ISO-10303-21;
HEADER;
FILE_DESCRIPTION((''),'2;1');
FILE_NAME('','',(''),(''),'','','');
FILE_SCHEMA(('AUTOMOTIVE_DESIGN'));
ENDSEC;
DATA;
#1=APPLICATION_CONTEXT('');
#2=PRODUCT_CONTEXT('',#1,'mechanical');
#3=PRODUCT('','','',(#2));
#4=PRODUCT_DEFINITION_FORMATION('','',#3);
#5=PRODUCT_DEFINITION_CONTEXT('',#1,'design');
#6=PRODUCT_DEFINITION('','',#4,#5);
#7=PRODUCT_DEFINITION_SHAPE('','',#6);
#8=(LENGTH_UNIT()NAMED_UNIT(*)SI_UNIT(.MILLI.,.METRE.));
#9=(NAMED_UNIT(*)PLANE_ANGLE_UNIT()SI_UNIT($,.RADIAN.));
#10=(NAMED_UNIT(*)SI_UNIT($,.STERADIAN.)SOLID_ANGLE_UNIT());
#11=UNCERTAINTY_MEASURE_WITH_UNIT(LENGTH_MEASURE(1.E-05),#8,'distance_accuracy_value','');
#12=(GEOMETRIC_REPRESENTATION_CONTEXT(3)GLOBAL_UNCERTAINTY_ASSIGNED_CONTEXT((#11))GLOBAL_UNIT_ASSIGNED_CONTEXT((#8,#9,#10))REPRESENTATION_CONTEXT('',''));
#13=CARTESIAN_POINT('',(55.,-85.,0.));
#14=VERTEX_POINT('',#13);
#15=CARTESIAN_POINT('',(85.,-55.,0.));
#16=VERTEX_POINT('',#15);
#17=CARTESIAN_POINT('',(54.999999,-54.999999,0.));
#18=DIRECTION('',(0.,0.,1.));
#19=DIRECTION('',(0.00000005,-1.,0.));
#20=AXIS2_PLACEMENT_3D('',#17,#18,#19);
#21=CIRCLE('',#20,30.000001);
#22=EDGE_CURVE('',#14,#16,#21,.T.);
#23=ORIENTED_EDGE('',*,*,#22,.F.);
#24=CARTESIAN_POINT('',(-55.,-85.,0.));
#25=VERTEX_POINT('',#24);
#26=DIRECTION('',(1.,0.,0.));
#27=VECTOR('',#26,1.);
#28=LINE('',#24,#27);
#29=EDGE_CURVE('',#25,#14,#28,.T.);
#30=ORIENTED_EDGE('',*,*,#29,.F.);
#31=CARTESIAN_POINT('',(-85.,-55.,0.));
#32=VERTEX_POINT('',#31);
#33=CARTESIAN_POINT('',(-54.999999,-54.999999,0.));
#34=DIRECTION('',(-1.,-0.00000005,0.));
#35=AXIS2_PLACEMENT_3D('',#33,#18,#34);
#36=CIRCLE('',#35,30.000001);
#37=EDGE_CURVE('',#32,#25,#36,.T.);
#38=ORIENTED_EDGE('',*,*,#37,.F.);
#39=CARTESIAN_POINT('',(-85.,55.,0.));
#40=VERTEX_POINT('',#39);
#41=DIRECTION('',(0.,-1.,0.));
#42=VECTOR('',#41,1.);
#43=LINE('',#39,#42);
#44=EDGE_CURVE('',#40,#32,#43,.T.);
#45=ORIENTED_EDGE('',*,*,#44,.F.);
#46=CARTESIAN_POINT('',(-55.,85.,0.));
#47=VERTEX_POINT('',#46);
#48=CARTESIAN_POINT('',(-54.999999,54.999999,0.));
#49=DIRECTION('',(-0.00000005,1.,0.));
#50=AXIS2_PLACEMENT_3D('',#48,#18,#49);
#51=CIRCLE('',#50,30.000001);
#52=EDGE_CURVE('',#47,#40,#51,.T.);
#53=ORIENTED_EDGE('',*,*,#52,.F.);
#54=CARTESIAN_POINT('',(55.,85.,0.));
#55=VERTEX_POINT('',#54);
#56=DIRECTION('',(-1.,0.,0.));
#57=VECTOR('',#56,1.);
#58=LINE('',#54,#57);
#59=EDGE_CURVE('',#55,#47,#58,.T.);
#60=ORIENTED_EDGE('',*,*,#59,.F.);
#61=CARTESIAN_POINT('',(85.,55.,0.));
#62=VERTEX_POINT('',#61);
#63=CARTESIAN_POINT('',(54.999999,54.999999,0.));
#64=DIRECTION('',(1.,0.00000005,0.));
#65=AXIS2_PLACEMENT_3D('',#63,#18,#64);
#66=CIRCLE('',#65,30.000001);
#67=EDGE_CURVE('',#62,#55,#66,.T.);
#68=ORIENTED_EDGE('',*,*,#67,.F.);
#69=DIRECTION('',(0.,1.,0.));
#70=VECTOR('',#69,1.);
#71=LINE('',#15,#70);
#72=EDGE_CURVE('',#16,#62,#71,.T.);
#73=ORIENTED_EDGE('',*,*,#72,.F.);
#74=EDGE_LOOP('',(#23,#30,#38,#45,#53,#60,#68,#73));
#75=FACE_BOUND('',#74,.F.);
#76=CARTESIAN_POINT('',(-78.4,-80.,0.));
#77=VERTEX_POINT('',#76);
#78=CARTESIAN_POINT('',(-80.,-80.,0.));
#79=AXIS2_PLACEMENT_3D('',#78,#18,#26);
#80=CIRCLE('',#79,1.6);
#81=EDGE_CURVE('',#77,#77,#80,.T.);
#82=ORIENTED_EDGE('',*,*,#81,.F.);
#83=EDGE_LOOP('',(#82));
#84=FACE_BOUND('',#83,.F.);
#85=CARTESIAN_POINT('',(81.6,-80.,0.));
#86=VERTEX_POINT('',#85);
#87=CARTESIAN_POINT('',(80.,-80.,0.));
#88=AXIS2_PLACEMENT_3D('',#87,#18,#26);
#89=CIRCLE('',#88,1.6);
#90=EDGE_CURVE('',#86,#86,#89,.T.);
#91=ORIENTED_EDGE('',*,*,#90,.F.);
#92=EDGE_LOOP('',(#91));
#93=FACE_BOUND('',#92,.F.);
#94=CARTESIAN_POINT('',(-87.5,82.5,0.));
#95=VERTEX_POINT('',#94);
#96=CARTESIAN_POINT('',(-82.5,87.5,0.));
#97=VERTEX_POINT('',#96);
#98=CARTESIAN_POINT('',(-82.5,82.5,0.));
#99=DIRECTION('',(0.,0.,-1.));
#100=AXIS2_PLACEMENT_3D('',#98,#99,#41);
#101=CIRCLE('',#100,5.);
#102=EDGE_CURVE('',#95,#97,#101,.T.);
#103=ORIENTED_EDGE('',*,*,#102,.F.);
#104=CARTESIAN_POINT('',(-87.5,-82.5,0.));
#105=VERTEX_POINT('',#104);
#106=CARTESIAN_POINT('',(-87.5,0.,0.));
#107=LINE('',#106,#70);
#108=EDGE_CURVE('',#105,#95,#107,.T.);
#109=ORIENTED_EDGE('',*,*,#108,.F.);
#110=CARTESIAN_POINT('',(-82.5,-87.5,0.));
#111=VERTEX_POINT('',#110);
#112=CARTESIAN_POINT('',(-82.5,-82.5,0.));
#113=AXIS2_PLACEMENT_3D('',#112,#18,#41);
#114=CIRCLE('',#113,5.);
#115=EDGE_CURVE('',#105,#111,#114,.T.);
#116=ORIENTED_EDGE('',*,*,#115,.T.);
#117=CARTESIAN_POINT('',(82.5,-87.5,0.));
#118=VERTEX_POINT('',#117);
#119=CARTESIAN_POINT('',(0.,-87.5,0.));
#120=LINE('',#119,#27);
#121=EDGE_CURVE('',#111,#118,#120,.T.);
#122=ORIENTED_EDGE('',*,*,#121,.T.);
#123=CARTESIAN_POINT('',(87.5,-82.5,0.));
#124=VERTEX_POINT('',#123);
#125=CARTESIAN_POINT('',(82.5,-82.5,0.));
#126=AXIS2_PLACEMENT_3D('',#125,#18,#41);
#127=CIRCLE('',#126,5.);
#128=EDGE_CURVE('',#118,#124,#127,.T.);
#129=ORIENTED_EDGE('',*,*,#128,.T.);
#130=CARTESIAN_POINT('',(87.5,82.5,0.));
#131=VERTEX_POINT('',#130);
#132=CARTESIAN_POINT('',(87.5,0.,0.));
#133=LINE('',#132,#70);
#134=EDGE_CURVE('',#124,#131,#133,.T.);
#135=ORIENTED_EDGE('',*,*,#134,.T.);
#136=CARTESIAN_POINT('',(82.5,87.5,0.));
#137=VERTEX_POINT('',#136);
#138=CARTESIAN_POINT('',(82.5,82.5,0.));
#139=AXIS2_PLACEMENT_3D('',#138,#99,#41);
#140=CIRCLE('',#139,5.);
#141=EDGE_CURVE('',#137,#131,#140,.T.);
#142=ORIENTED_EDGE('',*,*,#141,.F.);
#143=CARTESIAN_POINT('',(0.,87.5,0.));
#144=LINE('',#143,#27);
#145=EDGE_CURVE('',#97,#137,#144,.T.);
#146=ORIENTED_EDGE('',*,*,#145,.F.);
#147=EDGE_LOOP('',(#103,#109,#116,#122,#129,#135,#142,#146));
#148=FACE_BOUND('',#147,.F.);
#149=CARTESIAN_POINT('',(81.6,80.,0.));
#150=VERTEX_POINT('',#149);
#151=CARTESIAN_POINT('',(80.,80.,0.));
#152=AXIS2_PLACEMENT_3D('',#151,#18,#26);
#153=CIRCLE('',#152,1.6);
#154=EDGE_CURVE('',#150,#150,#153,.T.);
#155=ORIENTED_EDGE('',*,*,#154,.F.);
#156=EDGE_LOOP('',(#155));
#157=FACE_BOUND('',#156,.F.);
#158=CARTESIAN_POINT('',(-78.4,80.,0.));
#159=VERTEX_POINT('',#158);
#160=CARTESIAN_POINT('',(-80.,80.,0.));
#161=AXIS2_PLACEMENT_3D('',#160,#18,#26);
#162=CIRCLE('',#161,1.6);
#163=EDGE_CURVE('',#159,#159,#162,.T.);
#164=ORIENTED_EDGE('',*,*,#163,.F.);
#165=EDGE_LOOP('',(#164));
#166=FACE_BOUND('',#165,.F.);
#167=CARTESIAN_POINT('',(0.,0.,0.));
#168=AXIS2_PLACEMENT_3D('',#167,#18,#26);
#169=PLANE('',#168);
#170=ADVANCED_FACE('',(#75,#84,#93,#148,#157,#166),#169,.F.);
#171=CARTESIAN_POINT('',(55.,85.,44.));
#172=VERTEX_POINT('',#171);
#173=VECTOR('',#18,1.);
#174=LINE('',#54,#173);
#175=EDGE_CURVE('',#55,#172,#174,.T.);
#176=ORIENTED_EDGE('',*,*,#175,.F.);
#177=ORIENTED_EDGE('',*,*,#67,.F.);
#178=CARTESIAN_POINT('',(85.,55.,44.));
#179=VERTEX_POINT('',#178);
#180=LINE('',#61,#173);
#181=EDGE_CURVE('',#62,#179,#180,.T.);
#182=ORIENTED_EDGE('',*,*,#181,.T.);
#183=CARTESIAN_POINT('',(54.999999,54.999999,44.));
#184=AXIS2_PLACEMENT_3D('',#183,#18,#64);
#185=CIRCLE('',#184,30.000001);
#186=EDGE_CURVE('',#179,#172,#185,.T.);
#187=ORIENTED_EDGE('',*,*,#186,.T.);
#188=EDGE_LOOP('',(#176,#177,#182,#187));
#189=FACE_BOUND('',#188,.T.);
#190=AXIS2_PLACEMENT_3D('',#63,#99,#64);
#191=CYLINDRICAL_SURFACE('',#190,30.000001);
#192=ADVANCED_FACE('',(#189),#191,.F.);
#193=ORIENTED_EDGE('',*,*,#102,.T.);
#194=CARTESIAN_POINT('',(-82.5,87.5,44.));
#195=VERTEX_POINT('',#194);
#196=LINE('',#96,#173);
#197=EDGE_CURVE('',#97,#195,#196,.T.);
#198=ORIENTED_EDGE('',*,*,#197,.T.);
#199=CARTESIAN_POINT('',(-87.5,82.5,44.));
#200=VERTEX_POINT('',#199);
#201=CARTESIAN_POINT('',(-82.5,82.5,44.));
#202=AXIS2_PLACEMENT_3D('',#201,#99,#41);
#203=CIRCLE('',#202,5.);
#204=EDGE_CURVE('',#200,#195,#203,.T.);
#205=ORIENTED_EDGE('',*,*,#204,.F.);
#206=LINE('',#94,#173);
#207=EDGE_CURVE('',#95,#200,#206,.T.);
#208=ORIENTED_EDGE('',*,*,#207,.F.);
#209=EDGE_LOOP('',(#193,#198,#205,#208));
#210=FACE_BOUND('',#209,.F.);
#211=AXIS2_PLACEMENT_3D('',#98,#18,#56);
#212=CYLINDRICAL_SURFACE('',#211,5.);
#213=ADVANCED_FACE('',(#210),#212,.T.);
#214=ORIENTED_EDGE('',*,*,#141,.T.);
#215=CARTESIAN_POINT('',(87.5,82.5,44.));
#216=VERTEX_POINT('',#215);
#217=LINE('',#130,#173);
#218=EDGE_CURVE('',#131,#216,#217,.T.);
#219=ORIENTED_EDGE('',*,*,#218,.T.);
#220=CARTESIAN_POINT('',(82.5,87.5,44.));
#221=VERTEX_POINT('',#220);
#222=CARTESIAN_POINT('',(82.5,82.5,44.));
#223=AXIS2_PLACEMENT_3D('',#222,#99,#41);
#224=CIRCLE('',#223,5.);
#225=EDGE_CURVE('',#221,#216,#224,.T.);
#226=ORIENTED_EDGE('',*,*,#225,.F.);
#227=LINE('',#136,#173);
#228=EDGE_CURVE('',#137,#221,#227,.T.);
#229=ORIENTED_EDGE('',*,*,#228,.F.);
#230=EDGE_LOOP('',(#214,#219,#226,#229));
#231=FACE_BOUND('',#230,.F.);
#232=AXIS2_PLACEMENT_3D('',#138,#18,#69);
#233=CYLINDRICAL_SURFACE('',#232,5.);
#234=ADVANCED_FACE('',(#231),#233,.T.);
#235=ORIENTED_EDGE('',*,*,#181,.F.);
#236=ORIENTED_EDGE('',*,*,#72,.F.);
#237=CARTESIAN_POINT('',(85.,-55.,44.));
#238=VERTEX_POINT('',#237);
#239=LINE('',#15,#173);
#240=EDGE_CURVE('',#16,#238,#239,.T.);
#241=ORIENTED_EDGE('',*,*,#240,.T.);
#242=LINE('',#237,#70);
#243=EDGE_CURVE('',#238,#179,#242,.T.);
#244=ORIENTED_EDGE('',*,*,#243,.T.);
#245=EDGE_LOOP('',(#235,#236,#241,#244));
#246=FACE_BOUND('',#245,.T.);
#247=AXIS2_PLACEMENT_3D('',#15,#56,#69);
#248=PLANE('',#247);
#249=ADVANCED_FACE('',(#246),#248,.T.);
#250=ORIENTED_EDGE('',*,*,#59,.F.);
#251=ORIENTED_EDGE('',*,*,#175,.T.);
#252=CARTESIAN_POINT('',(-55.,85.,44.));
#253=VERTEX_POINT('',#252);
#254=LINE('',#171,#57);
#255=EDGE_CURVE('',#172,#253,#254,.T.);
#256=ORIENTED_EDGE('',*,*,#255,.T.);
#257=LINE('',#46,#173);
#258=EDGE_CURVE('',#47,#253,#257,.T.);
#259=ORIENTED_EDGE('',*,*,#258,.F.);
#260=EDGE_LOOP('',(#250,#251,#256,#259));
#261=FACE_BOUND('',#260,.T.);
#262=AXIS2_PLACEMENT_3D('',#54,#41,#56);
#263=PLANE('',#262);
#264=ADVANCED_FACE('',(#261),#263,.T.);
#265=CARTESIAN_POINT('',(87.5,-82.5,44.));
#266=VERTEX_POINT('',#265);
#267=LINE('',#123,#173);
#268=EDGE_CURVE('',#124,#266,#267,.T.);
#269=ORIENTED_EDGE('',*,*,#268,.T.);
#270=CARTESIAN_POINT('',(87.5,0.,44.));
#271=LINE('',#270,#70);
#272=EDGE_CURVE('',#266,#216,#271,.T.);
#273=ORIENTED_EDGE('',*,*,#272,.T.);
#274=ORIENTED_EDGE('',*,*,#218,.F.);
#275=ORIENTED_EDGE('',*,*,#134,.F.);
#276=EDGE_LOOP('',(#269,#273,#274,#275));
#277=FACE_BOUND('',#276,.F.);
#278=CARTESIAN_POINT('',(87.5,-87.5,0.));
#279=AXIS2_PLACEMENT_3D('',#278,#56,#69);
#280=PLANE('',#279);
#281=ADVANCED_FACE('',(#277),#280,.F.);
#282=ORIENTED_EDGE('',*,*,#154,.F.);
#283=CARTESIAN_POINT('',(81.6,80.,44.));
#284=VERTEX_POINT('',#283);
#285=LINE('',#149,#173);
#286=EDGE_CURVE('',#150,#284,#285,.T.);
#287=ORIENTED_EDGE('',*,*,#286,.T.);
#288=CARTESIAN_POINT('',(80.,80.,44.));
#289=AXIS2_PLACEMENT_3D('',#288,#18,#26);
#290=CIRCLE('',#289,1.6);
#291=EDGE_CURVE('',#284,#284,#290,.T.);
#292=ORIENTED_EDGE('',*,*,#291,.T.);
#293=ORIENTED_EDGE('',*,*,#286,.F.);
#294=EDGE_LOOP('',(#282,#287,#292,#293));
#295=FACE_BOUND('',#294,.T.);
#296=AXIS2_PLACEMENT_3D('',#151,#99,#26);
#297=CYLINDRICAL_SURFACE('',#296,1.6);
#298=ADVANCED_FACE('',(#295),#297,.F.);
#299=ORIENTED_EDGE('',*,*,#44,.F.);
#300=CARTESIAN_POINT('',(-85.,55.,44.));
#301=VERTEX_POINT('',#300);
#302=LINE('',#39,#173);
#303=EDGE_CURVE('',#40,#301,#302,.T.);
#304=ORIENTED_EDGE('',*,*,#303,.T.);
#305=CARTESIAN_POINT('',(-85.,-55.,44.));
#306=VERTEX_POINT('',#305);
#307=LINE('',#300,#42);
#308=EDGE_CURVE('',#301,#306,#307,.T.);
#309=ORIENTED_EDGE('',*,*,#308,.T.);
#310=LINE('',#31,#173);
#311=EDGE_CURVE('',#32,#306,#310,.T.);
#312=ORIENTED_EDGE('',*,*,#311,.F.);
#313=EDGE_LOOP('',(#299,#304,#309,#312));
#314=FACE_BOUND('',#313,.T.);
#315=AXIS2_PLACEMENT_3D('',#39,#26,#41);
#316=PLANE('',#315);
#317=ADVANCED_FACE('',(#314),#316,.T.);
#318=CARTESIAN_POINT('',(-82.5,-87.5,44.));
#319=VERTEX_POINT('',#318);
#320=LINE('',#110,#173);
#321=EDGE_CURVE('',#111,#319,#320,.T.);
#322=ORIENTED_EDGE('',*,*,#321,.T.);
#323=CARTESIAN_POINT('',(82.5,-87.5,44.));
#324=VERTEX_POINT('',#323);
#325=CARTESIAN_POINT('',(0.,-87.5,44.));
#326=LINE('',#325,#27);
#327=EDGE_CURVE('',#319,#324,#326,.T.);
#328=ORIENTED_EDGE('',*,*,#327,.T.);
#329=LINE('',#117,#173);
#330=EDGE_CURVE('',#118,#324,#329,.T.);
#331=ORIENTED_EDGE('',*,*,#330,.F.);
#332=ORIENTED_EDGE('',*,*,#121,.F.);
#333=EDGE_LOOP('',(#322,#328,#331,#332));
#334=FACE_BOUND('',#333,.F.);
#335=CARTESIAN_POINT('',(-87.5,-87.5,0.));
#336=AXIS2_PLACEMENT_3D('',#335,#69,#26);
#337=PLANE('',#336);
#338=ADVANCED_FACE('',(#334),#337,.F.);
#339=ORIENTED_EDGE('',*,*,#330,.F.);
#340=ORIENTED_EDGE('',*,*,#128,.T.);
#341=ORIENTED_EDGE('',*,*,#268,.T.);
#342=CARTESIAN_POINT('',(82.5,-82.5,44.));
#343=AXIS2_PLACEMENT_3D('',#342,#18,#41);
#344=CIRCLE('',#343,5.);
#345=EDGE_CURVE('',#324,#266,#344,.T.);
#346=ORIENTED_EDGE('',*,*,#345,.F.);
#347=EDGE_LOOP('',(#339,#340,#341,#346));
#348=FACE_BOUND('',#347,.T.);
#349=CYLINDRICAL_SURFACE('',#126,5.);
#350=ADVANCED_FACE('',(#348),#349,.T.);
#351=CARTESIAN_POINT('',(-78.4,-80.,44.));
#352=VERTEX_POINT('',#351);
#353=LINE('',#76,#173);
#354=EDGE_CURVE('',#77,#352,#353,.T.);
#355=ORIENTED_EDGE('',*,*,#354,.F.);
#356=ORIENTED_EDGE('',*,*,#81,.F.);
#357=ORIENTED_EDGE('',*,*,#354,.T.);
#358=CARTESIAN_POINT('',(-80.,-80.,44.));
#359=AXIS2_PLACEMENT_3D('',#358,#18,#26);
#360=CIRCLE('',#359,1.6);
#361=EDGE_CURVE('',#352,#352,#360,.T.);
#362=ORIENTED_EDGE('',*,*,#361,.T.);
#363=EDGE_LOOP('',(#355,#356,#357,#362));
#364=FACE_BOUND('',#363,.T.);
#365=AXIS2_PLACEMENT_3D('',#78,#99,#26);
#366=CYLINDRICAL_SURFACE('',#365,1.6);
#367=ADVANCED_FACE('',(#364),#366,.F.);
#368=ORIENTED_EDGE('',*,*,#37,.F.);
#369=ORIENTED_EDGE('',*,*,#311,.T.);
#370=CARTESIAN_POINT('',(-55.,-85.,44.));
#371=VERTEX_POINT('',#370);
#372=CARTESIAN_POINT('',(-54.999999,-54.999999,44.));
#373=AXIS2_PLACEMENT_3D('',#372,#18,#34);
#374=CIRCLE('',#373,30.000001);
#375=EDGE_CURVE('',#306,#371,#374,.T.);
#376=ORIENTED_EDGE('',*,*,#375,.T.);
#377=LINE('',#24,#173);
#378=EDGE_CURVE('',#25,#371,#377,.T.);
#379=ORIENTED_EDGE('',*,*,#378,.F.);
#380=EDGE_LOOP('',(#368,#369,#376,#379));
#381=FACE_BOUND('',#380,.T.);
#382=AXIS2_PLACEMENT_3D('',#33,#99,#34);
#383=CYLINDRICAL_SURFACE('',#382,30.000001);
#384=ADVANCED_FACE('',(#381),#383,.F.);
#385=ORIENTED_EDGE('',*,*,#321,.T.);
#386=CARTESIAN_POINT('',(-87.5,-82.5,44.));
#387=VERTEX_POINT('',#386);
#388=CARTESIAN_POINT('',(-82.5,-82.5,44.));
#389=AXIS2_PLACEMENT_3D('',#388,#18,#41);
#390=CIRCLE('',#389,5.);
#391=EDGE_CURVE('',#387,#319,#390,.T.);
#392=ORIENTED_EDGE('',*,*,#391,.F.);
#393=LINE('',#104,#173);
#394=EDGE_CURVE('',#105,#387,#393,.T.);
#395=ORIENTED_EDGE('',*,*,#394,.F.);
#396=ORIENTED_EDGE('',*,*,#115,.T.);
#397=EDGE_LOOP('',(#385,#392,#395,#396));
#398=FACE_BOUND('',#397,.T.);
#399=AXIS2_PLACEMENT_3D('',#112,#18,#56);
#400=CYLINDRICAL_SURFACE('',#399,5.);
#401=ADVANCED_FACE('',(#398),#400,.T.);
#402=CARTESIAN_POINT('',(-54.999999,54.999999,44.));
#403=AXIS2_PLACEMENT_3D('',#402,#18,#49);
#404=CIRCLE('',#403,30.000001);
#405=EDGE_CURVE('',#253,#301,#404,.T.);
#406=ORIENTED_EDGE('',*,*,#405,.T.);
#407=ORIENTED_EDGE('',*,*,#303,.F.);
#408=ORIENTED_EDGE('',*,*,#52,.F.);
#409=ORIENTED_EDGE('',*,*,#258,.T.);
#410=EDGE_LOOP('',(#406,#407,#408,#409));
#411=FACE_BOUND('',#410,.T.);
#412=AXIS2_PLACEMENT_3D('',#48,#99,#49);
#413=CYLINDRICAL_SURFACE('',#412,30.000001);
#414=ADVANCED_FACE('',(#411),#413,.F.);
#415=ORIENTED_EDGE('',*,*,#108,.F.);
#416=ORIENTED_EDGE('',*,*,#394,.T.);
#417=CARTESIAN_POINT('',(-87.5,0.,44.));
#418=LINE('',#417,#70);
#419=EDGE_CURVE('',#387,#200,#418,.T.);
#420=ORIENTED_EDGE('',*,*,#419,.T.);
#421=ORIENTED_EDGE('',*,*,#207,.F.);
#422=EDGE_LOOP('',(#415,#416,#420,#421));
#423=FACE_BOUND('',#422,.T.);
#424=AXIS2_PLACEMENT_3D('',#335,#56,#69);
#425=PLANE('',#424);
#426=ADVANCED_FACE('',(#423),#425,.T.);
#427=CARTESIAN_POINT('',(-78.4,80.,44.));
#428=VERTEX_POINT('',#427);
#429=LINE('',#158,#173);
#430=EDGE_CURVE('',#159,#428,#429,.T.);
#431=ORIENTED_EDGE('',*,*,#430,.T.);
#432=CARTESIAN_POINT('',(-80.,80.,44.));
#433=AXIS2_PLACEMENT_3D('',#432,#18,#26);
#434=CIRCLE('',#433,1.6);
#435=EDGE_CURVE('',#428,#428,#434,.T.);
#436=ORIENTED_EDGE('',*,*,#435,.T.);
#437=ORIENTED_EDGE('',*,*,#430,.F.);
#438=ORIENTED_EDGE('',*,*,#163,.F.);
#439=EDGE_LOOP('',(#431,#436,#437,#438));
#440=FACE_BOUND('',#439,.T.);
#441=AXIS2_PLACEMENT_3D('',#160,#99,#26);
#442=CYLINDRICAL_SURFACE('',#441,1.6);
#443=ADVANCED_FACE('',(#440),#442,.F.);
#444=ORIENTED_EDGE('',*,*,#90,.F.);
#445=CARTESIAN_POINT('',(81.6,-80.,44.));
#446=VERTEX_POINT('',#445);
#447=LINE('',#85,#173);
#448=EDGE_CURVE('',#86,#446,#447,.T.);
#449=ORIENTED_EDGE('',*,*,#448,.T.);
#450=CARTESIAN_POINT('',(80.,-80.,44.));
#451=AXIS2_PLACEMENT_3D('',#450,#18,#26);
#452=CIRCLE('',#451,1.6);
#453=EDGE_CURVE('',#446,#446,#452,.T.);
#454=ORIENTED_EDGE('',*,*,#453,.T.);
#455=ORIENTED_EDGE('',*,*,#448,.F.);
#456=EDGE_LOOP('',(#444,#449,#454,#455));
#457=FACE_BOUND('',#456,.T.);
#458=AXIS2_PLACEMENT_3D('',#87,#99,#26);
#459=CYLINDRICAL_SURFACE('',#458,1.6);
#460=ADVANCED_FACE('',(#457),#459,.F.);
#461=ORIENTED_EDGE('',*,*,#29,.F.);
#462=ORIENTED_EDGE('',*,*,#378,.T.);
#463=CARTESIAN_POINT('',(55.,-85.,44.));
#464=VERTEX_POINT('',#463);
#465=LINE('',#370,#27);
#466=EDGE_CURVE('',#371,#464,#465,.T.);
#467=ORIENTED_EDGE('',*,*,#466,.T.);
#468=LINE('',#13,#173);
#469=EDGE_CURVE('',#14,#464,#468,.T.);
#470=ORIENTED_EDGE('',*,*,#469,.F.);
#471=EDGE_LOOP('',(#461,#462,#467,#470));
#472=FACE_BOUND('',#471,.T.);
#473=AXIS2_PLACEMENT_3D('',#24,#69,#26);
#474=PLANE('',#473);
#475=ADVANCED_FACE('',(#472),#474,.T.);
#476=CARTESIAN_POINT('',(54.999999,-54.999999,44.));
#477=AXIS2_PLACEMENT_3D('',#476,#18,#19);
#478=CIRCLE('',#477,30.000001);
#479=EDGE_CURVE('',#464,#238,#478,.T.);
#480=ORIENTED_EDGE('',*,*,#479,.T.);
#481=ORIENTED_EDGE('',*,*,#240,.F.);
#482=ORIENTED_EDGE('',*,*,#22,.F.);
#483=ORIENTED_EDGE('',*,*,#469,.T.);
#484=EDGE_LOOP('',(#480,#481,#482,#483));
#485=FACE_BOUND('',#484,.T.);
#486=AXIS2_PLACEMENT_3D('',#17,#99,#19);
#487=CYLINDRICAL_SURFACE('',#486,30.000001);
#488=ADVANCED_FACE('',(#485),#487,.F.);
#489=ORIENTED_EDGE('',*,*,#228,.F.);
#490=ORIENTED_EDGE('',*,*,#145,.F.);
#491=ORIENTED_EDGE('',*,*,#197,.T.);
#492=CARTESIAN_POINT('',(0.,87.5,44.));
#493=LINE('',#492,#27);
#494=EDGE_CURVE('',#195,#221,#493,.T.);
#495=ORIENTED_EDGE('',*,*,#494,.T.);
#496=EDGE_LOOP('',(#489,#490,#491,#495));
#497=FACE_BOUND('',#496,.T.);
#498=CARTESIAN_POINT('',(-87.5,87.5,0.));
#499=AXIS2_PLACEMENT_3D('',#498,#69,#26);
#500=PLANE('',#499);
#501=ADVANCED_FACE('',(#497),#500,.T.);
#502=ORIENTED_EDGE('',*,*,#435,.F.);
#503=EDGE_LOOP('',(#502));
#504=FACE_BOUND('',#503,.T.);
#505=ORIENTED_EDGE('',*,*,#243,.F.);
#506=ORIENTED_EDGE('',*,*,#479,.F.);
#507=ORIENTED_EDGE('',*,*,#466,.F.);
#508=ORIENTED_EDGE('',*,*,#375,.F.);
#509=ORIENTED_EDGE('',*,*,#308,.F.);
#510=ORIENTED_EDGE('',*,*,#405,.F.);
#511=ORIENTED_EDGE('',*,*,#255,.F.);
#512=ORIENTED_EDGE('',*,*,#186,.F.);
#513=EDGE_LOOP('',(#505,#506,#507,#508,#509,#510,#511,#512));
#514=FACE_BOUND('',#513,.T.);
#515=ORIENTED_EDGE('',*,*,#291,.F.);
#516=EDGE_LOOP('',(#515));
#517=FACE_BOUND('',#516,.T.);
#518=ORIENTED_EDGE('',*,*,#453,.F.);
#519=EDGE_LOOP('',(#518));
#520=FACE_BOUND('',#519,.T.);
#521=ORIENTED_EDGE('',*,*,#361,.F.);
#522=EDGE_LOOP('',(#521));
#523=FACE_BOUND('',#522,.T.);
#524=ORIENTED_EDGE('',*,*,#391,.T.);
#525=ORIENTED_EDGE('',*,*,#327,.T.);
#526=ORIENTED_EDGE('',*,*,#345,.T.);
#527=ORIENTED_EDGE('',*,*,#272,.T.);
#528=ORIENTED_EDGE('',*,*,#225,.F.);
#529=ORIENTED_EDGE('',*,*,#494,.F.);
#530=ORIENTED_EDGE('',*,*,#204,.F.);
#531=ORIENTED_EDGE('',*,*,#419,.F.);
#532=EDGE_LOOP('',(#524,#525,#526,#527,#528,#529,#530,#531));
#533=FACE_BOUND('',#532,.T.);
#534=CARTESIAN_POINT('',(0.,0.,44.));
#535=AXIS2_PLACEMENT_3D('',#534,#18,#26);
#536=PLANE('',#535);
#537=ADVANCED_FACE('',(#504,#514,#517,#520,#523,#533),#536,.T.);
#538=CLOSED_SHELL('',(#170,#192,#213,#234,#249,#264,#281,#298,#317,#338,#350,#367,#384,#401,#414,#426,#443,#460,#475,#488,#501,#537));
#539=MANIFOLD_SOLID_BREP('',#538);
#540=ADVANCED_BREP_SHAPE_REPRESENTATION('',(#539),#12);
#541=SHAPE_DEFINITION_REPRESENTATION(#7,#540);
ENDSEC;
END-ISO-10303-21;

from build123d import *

# Parameters (mm, degrees)
SKETCH_W  = 175
SKETCH_H  = 175
SKETCH_R  = 1.6
PAD_DEPTH = 44
FILLET_R  = 5


with BuildPart() as part:
    # Sketch → Pad (new body)
    with BuildSketch(Plane.XY):
        Rectangle(SKETCH_W, SKETCH_H)
        with Locations((-80, 80)):
            Circle(SKETCH_R, mode=Mode.SUBTRACT)
        with Locations((80, 80)):
            Circle(SKETCH_R, mode=Mode.SUBTRACT)
        with Locations((80, -80)):
            Circle(SKETCH_R, mode=Mode.SUBTRACT)
        with Locations((-80, -80)):
            Circle(SKETCH_R, mode=Mode.SUBTRACT)
        with BuildLine():
            Line((-85, 55), (-85, -55))
            ThreePointArc((-85, -55), (-76.213203, -76.213203), (-55, -85))
            Line((-55, -85), (55, -85))
            ThreePointArc((55, -85), (76.213203, -76.213203), (85, -55))
            Line((85, -55), (85, 55))
            ThreePointArc((85, 55), (76.213203, 76.213203), (55, 85))
            Line((55, 85), (-55, 85))
            ThreePointArc((-55, 85), (-76.213203, 76.213203), (-85, 55))
        make_face(mode=Mode.SUBTRACT)
    extrude(amount=PAD_DEPTH)

    # Fillet
    fillet_edges = [part.edges().sort_by_distance(p)[0] for p in [
        (87.5, 87.5, 22),
        (87.5, -87.5, 22),
        (-87.5, -87.5, 22),
        (-87.5, 87.5, 22),
    ]]
    fillet(fillet_edges, radius=FILLET_R)


solid = part.part
